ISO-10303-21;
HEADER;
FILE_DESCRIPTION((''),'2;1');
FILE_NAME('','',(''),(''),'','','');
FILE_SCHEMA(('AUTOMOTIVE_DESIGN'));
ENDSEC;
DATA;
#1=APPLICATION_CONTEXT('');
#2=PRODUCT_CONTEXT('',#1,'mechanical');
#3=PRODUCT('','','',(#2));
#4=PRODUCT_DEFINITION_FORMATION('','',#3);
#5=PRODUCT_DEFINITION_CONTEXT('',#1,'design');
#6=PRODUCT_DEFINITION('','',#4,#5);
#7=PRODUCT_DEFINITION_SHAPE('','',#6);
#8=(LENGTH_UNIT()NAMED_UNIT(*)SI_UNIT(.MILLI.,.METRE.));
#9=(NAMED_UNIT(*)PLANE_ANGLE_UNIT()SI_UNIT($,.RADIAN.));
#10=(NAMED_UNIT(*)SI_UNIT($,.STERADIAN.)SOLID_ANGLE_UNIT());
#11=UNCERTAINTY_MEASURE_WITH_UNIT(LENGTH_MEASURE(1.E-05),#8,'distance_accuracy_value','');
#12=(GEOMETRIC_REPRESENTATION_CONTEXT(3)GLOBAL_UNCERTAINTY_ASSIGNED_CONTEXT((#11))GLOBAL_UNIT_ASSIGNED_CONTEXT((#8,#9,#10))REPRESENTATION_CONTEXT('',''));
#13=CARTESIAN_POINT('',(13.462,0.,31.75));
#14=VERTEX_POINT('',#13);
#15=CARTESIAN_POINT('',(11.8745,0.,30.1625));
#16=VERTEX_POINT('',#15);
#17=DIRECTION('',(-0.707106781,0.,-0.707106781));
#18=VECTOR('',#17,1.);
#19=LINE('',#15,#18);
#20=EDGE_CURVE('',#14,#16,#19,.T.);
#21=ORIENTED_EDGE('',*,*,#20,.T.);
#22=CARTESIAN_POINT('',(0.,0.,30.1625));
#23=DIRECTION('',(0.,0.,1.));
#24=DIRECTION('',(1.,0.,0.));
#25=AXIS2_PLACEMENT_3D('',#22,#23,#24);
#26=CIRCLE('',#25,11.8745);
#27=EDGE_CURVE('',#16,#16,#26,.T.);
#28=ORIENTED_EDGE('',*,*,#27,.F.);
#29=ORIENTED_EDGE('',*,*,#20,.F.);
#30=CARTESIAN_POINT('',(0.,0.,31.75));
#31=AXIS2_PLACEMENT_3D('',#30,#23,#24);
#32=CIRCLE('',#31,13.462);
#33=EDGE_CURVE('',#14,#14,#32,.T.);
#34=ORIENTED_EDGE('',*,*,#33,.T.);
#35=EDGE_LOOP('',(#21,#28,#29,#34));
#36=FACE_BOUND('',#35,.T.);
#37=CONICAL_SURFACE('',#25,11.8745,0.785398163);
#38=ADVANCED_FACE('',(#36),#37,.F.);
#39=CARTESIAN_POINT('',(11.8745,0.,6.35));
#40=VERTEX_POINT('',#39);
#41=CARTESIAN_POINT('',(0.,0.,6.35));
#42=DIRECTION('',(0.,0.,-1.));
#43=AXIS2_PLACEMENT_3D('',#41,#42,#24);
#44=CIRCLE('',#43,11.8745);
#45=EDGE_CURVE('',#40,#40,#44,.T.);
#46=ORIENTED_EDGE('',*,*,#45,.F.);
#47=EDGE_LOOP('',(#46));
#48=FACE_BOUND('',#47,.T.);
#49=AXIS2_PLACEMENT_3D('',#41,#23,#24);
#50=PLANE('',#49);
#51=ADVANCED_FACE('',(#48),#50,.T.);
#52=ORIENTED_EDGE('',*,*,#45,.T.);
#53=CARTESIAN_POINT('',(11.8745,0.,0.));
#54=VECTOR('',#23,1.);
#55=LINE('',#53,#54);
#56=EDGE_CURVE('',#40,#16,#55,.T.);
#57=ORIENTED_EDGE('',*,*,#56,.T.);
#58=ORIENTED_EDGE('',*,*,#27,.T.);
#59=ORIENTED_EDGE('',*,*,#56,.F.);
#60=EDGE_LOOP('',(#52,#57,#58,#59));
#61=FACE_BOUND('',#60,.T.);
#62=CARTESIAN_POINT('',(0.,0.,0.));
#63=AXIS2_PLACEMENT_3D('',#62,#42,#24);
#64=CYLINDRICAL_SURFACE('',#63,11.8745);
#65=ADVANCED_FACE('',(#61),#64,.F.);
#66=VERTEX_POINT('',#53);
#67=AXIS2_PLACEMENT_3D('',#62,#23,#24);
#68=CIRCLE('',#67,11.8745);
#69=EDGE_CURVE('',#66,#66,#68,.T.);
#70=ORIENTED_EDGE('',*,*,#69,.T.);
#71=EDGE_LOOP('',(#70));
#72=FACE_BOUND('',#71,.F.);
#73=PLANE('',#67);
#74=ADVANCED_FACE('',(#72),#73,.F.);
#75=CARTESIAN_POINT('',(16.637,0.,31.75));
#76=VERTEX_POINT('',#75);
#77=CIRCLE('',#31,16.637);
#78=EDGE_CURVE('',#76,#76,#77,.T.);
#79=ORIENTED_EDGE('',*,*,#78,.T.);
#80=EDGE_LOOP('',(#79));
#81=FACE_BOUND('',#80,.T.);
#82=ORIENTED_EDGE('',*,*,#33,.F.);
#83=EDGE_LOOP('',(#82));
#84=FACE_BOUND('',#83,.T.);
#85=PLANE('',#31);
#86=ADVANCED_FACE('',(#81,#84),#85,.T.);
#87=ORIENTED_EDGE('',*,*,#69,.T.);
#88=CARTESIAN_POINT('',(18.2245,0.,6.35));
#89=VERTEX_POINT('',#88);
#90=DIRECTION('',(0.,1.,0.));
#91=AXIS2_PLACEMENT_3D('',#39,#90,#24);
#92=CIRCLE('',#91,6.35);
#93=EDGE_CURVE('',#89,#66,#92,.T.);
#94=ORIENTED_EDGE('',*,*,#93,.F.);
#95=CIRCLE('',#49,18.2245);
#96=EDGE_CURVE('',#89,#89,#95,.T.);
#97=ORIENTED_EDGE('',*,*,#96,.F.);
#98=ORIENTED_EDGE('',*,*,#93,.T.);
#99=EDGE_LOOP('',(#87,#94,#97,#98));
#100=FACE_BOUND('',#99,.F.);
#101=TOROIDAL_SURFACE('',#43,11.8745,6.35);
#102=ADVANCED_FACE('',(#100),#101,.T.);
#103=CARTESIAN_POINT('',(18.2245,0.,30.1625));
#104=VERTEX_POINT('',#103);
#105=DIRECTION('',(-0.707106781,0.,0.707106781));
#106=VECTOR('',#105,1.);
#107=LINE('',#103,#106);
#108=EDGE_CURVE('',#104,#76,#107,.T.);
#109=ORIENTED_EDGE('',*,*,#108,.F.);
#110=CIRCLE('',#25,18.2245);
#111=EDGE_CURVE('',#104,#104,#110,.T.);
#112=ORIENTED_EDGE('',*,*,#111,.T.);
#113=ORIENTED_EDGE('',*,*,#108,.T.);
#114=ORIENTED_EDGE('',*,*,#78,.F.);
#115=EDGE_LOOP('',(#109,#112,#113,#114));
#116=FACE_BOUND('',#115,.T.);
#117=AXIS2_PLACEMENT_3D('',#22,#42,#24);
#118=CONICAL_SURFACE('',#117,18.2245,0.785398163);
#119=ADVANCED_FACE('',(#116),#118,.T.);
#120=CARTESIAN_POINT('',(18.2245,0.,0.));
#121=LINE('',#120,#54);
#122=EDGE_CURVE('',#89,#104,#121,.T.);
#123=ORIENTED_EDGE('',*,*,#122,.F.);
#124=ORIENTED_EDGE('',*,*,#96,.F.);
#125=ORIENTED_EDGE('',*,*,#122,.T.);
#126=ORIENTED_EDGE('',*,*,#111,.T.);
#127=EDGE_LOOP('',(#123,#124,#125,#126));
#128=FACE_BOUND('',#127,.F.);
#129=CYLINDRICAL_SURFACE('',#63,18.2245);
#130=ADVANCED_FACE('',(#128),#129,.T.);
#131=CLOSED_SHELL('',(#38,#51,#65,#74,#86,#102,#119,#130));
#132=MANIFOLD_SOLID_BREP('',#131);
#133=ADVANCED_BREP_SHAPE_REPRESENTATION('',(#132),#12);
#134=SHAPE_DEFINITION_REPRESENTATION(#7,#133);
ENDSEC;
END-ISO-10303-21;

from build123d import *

# Parameters (mm, degrees)
F0_R     = 18.2245
F1_DEPTH = 31.75
F2_T     = -6.35
F3_R     = 6.35
F4_SIZE  = 1.5875


with BuildPart() as f1:
    # F0 (on Top) → F1 (new body)
    with BuildSketch(Plane.XY):
        Circle(F0_R)
    extrude(amount=F1_DEPTH)

    # F2
    f2_openings = [f1.faces().sort_by_distance(p)[0] for p in [
        (0, 0, 31.75),
    ]]
    offset(amount=F2_T, openings=f2_openings)

    # F3
    f3_edges = [f1.edges().sort_by_distance(p)[0] for p in [
        (-18.2245, 0, 0),
    ]]
    fillet(f3_edges, radius=F3_R)

    # F4
    f4_edges = [f1.edges().sort_by_distance(p)[0] for p in [
        (-18.2245, 0, 31.75),
        (-11.8745, 0, 31.75),
    ]]
    chamfer(f4_edges, length=F4_SIZE)


solid = f1.part
